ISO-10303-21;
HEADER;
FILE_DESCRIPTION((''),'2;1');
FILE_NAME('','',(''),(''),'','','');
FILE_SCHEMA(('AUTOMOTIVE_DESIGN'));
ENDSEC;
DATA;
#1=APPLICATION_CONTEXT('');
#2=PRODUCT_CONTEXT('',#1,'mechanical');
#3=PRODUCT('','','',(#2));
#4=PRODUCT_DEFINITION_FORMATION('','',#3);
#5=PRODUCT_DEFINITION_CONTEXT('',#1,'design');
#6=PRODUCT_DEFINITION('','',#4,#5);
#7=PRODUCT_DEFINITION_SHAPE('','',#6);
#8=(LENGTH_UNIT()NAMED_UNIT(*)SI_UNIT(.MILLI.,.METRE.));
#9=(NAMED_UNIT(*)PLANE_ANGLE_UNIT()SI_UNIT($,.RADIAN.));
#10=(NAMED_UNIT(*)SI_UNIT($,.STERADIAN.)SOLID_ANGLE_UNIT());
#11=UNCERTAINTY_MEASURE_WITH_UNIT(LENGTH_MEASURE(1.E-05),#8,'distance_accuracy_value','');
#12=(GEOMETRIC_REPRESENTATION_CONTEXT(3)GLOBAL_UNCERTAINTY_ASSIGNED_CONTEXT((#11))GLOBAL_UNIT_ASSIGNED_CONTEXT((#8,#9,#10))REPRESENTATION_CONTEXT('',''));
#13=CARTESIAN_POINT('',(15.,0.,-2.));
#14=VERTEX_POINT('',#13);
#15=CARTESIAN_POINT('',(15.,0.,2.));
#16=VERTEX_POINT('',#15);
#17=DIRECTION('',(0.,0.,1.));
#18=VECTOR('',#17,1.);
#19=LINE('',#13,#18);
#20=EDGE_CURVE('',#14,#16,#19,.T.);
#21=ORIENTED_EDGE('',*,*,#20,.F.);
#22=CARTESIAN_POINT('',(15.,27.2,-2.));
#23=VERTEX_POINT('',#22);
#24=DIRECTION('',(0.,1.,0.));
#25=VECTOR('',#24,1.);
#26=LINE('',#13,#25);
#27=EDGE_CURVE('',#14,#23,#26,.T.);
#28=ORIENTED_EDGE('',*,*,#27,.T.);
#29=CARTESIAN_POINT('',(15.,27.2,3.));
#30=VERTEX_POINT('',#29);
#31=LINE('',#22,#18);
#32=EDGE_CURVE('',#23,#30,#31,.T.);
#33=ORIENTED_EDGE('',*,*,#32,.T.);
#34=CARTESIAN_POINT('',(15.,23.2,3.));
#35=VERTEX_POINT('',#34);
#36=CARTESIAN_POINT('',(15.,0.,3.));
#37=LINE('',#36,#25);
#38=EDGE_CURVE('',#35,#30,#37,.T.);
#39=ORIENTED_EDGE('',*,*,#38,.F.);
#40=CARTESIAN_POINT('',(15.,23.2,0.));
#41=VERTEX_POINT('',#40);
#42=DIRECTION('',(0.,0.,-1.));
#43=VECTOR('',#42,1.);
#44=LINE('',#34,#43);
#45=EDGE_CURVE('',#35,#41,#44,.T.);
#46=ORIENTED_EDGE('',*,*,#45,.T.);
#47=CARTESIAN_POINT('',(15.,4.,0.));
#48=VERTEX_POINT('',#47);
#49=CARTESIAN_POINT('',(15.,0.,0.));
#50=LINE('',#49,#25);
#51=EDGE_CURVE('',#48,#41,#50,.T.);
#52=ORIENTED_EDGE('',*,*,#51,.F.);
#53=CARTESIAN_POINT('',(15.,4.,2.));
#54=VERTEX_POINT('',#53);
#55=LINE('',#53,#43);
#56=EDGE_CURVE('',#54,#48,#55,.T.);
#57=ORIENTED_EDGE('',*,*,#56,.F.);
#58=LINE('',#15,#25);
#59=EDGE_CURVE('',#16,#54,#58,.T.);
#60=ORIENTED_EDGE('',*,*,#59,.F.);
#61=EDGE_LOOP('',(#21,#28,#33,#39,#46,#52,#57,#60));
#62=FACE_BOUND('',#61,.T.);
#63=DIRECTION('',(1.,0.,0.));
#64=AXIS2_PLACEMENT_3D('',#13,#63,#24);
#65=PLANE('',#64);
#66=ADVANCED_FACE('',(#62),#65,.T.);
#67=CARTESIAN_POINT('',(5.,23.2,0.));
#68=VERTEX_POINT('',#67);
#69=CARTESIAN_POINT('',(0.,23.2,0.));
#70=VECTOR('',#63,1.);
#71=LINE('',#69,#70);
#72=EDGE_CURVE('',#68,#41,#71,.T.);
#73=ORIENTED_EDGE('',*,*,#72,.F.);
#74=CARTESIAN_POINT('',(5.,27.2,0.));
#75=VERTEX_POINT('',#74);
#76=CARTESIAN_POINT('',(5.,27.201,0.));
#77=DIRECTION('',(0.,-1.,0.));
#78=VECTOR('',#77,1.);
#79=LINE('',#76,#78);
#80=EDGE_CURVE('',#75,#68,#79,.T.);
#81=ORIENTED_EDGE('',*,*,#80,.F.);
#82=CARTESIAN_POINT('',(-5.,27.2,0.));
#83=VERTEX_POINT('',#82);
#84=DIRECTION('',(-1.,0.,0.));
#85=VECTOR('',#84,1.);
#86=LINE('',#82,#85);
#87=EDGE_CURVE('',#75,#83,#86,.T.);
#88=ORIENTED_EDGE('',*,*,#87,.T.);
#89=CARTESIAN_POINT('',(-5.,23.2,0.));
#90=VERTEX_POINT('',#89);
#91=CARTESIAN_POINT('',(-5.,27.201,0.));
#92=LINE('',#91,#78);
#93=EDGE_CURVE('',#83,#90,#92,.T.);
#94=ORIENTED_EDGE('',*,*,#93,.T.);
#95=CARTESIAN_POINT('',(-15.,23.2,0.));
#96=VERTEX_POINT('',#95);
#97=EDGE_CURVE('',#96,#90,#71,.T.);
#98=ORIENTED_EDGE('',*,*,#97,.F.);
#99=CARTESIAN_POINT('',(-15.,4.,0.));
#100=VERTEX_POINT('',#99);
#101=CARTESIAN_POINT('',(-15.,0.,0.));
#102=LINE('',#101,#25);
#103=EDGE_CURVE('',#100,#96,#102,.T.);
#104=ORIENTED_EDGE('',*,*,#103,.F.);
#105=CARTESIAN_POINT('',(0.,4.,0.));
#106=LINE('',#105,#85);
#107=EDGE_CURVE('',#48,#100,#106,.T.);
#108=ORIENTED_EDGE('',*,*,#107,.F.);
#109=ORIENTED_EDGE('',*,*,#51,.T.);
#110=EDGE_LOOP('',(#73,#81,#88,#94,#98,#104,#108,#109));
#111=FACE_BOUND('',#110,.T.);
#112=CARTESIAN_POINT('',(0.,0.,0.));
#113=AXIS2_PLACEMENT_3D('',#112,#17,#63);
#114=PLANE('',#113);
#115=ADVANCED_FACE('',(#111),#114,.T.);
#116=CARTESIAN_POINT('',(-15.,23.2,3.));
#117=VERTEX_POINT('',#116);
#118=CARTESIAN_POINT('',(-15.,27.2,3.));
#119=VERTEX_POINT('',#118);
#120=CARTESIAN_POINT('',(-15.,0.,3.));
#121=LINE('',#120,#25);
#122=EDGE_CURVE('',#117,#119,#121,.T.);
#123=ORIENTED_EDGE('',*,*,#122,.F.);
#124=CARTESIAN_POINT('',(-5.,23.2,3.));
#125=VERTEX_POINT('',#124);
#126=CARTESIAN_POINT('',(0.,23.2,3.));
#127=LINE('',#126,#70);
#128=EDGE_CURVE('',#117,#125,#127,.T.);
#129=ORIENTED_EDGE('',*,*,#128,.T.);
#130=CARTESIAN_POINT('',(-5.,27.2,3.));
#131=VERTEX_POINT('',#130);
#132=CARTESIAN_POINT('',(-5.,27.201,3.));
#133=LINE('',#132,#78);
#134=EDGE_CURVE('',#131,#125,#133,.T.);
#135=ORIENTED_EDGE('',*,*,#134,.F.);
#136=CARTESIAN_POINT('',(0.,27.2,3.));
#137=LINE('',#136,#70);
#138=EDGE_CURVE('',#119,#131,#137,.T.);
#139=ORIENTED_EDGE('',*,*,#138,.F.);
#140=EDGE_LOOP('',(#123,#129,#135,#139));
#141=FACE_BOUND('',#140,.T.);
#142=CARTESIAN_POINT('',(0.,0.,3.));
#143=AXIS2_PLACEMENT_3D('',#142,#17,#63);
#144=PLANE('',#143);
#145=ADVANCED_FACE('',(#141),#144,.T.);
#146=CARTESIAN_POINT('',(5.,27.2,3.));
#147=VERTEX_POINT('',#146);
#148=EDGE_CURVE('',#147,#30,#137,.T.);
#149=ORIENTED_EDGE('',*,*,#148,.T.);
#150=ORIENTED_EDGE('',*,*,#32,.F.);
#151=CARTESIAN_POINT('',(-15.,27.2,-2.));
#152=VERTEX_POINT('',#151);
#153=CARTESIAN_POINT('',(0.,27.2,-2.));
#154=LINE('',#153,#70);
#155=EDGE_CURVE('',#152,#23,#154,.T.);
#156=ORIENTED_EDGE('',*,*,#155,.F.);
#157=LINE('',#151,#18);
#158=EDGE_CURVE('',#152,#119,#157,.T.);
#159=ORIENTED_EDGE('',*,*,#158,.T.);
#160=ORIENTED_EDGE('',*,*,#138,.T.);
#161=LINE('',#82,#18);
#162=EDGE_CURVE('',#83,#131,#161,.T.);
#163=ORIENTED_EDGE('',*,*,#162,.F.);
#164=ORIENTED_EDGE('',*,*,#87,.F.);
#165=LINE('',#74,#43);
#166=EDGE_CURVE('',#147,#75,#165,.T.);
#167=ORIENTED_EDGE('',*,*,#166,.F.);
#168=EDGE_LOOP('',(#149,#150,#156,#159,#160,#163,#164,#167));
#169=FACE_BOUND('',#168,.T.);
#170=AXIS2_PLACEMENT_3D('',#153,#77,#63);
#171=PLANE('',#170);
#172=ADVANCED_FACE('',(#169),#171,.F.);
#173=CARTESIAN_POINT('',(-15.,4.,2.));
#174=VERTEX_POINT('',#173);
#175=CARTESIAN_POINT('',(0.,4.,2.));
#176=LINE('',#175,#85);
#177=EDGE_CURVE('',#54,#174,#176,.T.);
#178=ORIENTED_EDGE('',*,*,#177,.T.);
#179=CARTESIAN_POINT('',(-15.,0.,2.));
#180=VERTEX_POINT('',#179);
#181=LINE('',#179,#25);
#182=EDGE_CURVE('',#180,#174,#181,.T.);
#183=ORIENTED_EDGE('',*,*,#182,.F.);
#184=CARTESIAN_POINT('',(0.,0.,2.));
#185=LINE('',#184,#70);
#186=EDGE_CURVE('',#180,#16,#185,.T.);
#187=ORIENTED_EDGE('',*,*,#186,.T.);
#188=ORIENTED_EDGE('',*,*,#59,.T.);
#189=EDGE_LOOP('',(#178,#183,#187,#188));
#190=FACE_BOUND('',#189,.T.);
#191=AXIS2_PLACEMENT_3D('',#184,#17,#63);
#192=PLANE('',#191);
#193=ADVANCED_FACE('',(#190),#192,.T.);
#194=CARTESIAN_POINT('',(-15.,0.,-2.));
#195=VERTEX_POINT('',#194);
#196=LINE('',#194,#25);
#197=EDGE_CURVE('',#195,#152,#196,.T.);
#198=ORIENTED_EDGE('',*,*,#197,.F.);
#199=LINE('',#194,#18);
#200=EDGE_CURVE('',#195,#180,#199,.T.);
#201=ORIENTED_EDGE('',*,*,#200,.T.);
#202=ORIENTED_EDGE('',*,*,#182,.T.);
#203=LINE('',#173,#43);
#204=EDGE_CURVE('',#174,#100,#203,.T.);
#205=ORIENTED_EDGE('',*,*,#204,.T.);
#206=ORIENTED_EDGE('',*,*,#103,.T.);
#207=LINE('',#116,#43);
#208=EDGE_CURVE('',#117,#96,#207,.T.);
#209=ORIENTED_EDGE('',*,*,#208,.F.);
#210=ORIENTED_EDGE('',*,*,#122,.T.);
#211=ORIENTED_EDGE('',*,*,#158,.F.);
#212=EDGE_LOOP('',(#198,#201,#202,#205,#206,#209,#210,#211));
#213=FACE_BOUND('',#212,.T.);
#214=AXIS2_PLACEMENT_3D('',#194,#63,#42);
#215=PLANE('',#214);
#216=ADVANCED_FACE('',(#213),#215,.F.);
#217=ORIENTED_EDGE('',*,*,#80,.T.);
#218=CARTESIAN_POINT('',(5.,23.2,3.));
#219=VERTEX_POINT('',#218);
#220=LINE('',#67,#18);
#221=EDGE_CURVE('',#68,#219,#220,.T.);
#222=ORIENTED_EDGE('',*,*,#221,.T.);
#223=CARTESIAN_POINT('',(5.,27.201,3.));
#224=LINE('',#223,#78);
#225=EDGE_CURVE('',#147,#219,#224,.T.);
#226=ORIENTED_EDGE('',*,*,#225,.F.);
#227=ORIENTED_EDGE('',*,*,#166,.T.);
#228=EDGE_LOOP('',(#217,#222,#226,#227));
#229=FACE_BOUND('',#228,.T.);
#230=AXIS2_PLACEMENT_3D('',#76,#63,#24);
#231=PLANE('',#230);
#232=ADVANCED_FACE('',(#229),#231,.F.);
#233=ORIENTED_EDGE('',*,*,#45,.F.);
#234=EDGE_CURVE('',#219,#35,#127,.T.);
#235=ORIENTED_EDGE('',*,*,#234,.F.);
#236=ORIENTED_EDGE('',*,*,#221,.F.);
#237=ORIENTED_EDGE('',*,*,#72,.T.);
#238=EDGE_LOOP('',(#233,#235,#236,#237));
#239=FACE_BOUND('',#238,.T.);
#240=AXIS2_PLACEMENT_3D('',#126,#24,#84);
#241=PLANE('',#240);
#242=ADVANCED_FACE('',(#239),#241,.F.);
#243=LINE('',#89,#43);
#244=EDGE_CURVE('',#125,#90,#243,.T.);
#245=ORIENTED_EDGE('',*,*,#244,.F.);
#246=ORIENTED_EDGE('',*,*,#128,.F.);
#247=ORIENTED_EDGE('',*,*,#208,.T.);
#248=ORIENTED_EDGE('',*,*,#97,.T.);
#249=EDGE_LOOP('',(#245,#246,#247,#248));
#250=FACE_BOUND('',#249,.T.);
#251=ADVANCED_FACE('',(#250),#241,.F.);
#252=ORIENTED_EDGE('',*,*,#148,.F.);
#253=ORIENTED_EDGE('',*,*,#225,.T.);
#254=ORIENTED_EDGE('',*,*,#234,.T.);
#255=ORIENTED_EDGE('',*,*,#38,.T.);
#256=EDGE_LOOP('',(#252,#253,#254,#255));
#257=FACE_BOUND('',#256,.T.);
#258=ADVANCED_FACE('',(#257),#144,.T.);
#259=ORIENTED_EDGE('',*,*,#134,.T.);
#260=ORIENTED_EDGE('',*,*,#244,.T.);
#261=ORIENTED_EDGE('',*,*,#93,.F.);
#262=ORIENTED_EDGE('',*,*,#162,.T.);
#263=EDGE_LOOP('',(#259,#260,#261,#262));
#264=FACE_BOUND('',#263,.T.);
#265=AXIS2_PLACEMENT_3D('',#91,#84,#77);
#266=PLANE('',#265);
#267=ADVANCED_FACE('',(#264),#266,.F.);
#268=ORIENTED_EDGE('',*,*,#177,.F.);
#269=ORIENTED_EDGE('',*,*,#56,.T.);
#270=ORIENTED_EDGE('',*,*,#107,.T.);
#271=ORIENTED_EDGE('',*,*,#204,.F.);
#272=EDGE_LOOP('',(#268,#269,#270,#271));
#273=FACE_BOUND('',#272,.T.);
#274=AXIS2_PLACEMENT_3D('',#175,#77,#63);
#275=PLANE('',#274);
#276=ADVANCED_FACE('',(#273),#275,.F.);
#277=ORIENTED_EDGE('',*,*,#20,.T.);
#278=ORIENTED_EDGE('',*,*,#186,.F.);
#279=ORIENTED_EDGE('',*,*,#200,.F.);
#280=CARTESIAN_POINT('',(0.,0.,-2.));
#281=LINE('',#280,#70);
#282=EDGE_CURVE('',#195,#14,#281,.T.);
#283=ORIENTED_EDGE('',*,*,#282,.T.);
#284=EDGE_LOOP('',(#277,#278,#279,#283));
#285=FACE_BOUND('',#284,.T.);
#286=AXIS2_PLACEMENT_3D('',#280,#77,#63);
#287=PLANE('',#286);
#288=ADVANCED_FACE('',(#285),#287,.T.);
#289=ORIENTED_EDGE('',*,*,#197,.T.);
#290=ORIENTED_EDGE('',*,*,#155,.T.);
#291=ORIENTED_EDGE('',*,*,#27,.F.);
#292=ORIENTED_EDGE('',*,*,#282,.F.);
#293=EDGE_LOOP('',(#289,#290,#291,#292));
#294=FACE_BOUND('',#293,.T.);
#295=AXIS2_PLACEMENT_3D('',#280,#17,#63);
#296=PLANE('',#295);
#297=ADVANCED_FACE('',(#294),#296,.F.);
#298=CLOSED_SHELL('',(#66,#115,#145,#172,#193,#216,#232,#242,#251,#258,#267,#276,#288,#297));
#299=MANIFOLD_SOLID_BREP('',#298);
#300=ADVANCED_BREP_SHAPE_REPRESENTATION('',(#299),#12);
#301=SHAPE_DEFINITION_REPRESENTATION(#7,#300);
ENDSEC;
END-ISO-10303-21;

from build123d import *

# Parameters (mm, degrees)
SKETCH1_W           = 30
SKETCH1_H           = 27.2
BOSS_EXTRUDE1_DEPTH = 2
SKETCH1_4_W         = 30
SKETCH1_4_H         = 4
BOSS_EXTRUDE2_DEPTH = 2
SKETCH1_5_W         = 30
SKETCH1_5_H         = 4
BOSS_EXTRUDE3_DEPTH = 3
CUT_EXTRUDE1_REACH  = 29.789
SKETCH3_W           = 10
SKETCH3_H           = 3


with BuildPart() as part:
    # Sketch1 → Boss-Extrude1 (new body)
    with BuildSketch(Plane.XY):
        with Locations((0, 13.6)):
            Rectangle(SKETCH1_W, SKETCH1_H)
    extrude(amount=-BOSS_EXTRUDE1_DEPTH)

    # Sketch1<4> → Boss-Extrude2 (add)
    with BuildSketch(Plane.XY):
        with Locations((0, 2)):
            Rectangle(SKETCH1_4_W, SKETCH1_4_H)
    extrude(amount=BOSS_EXTRUDE2_DEPTH)

    # Sketch1<5> → Boss-Extrude3 (add)
    with BuildSketch(Plane.XY):
        with Locations((0, 25.2)):
            Rectangle(SKETCH1_5_W, SKETCH1_5_H)
    extrude(amount=BOSS_EXTRUDE3_DEPTH)

    # Sketch3 → Cut-Extrude1 (cut, up to next)
    with BuildSketch(Plane.XZ.offset(-23.2), mode=Mode.PRIVATE) as cut_extrude1_sk1:
        with Locations((0, 1.5)):
            Rectangle(SKETCH3_W, SKETCH3_H)
    cut_extrude1_tool1 = extrude(cut_extrude1_sk1.sketch, amount=-CUT_EXTRUDE1_REACH, mode=Mode.PRIVATE) & part.part
    add(cut_extrude1_tool1.solids().sort_by_distance((0, 23.2, 1.5))[0], mode=Mode.SUBTRACT)


solid = part.part
